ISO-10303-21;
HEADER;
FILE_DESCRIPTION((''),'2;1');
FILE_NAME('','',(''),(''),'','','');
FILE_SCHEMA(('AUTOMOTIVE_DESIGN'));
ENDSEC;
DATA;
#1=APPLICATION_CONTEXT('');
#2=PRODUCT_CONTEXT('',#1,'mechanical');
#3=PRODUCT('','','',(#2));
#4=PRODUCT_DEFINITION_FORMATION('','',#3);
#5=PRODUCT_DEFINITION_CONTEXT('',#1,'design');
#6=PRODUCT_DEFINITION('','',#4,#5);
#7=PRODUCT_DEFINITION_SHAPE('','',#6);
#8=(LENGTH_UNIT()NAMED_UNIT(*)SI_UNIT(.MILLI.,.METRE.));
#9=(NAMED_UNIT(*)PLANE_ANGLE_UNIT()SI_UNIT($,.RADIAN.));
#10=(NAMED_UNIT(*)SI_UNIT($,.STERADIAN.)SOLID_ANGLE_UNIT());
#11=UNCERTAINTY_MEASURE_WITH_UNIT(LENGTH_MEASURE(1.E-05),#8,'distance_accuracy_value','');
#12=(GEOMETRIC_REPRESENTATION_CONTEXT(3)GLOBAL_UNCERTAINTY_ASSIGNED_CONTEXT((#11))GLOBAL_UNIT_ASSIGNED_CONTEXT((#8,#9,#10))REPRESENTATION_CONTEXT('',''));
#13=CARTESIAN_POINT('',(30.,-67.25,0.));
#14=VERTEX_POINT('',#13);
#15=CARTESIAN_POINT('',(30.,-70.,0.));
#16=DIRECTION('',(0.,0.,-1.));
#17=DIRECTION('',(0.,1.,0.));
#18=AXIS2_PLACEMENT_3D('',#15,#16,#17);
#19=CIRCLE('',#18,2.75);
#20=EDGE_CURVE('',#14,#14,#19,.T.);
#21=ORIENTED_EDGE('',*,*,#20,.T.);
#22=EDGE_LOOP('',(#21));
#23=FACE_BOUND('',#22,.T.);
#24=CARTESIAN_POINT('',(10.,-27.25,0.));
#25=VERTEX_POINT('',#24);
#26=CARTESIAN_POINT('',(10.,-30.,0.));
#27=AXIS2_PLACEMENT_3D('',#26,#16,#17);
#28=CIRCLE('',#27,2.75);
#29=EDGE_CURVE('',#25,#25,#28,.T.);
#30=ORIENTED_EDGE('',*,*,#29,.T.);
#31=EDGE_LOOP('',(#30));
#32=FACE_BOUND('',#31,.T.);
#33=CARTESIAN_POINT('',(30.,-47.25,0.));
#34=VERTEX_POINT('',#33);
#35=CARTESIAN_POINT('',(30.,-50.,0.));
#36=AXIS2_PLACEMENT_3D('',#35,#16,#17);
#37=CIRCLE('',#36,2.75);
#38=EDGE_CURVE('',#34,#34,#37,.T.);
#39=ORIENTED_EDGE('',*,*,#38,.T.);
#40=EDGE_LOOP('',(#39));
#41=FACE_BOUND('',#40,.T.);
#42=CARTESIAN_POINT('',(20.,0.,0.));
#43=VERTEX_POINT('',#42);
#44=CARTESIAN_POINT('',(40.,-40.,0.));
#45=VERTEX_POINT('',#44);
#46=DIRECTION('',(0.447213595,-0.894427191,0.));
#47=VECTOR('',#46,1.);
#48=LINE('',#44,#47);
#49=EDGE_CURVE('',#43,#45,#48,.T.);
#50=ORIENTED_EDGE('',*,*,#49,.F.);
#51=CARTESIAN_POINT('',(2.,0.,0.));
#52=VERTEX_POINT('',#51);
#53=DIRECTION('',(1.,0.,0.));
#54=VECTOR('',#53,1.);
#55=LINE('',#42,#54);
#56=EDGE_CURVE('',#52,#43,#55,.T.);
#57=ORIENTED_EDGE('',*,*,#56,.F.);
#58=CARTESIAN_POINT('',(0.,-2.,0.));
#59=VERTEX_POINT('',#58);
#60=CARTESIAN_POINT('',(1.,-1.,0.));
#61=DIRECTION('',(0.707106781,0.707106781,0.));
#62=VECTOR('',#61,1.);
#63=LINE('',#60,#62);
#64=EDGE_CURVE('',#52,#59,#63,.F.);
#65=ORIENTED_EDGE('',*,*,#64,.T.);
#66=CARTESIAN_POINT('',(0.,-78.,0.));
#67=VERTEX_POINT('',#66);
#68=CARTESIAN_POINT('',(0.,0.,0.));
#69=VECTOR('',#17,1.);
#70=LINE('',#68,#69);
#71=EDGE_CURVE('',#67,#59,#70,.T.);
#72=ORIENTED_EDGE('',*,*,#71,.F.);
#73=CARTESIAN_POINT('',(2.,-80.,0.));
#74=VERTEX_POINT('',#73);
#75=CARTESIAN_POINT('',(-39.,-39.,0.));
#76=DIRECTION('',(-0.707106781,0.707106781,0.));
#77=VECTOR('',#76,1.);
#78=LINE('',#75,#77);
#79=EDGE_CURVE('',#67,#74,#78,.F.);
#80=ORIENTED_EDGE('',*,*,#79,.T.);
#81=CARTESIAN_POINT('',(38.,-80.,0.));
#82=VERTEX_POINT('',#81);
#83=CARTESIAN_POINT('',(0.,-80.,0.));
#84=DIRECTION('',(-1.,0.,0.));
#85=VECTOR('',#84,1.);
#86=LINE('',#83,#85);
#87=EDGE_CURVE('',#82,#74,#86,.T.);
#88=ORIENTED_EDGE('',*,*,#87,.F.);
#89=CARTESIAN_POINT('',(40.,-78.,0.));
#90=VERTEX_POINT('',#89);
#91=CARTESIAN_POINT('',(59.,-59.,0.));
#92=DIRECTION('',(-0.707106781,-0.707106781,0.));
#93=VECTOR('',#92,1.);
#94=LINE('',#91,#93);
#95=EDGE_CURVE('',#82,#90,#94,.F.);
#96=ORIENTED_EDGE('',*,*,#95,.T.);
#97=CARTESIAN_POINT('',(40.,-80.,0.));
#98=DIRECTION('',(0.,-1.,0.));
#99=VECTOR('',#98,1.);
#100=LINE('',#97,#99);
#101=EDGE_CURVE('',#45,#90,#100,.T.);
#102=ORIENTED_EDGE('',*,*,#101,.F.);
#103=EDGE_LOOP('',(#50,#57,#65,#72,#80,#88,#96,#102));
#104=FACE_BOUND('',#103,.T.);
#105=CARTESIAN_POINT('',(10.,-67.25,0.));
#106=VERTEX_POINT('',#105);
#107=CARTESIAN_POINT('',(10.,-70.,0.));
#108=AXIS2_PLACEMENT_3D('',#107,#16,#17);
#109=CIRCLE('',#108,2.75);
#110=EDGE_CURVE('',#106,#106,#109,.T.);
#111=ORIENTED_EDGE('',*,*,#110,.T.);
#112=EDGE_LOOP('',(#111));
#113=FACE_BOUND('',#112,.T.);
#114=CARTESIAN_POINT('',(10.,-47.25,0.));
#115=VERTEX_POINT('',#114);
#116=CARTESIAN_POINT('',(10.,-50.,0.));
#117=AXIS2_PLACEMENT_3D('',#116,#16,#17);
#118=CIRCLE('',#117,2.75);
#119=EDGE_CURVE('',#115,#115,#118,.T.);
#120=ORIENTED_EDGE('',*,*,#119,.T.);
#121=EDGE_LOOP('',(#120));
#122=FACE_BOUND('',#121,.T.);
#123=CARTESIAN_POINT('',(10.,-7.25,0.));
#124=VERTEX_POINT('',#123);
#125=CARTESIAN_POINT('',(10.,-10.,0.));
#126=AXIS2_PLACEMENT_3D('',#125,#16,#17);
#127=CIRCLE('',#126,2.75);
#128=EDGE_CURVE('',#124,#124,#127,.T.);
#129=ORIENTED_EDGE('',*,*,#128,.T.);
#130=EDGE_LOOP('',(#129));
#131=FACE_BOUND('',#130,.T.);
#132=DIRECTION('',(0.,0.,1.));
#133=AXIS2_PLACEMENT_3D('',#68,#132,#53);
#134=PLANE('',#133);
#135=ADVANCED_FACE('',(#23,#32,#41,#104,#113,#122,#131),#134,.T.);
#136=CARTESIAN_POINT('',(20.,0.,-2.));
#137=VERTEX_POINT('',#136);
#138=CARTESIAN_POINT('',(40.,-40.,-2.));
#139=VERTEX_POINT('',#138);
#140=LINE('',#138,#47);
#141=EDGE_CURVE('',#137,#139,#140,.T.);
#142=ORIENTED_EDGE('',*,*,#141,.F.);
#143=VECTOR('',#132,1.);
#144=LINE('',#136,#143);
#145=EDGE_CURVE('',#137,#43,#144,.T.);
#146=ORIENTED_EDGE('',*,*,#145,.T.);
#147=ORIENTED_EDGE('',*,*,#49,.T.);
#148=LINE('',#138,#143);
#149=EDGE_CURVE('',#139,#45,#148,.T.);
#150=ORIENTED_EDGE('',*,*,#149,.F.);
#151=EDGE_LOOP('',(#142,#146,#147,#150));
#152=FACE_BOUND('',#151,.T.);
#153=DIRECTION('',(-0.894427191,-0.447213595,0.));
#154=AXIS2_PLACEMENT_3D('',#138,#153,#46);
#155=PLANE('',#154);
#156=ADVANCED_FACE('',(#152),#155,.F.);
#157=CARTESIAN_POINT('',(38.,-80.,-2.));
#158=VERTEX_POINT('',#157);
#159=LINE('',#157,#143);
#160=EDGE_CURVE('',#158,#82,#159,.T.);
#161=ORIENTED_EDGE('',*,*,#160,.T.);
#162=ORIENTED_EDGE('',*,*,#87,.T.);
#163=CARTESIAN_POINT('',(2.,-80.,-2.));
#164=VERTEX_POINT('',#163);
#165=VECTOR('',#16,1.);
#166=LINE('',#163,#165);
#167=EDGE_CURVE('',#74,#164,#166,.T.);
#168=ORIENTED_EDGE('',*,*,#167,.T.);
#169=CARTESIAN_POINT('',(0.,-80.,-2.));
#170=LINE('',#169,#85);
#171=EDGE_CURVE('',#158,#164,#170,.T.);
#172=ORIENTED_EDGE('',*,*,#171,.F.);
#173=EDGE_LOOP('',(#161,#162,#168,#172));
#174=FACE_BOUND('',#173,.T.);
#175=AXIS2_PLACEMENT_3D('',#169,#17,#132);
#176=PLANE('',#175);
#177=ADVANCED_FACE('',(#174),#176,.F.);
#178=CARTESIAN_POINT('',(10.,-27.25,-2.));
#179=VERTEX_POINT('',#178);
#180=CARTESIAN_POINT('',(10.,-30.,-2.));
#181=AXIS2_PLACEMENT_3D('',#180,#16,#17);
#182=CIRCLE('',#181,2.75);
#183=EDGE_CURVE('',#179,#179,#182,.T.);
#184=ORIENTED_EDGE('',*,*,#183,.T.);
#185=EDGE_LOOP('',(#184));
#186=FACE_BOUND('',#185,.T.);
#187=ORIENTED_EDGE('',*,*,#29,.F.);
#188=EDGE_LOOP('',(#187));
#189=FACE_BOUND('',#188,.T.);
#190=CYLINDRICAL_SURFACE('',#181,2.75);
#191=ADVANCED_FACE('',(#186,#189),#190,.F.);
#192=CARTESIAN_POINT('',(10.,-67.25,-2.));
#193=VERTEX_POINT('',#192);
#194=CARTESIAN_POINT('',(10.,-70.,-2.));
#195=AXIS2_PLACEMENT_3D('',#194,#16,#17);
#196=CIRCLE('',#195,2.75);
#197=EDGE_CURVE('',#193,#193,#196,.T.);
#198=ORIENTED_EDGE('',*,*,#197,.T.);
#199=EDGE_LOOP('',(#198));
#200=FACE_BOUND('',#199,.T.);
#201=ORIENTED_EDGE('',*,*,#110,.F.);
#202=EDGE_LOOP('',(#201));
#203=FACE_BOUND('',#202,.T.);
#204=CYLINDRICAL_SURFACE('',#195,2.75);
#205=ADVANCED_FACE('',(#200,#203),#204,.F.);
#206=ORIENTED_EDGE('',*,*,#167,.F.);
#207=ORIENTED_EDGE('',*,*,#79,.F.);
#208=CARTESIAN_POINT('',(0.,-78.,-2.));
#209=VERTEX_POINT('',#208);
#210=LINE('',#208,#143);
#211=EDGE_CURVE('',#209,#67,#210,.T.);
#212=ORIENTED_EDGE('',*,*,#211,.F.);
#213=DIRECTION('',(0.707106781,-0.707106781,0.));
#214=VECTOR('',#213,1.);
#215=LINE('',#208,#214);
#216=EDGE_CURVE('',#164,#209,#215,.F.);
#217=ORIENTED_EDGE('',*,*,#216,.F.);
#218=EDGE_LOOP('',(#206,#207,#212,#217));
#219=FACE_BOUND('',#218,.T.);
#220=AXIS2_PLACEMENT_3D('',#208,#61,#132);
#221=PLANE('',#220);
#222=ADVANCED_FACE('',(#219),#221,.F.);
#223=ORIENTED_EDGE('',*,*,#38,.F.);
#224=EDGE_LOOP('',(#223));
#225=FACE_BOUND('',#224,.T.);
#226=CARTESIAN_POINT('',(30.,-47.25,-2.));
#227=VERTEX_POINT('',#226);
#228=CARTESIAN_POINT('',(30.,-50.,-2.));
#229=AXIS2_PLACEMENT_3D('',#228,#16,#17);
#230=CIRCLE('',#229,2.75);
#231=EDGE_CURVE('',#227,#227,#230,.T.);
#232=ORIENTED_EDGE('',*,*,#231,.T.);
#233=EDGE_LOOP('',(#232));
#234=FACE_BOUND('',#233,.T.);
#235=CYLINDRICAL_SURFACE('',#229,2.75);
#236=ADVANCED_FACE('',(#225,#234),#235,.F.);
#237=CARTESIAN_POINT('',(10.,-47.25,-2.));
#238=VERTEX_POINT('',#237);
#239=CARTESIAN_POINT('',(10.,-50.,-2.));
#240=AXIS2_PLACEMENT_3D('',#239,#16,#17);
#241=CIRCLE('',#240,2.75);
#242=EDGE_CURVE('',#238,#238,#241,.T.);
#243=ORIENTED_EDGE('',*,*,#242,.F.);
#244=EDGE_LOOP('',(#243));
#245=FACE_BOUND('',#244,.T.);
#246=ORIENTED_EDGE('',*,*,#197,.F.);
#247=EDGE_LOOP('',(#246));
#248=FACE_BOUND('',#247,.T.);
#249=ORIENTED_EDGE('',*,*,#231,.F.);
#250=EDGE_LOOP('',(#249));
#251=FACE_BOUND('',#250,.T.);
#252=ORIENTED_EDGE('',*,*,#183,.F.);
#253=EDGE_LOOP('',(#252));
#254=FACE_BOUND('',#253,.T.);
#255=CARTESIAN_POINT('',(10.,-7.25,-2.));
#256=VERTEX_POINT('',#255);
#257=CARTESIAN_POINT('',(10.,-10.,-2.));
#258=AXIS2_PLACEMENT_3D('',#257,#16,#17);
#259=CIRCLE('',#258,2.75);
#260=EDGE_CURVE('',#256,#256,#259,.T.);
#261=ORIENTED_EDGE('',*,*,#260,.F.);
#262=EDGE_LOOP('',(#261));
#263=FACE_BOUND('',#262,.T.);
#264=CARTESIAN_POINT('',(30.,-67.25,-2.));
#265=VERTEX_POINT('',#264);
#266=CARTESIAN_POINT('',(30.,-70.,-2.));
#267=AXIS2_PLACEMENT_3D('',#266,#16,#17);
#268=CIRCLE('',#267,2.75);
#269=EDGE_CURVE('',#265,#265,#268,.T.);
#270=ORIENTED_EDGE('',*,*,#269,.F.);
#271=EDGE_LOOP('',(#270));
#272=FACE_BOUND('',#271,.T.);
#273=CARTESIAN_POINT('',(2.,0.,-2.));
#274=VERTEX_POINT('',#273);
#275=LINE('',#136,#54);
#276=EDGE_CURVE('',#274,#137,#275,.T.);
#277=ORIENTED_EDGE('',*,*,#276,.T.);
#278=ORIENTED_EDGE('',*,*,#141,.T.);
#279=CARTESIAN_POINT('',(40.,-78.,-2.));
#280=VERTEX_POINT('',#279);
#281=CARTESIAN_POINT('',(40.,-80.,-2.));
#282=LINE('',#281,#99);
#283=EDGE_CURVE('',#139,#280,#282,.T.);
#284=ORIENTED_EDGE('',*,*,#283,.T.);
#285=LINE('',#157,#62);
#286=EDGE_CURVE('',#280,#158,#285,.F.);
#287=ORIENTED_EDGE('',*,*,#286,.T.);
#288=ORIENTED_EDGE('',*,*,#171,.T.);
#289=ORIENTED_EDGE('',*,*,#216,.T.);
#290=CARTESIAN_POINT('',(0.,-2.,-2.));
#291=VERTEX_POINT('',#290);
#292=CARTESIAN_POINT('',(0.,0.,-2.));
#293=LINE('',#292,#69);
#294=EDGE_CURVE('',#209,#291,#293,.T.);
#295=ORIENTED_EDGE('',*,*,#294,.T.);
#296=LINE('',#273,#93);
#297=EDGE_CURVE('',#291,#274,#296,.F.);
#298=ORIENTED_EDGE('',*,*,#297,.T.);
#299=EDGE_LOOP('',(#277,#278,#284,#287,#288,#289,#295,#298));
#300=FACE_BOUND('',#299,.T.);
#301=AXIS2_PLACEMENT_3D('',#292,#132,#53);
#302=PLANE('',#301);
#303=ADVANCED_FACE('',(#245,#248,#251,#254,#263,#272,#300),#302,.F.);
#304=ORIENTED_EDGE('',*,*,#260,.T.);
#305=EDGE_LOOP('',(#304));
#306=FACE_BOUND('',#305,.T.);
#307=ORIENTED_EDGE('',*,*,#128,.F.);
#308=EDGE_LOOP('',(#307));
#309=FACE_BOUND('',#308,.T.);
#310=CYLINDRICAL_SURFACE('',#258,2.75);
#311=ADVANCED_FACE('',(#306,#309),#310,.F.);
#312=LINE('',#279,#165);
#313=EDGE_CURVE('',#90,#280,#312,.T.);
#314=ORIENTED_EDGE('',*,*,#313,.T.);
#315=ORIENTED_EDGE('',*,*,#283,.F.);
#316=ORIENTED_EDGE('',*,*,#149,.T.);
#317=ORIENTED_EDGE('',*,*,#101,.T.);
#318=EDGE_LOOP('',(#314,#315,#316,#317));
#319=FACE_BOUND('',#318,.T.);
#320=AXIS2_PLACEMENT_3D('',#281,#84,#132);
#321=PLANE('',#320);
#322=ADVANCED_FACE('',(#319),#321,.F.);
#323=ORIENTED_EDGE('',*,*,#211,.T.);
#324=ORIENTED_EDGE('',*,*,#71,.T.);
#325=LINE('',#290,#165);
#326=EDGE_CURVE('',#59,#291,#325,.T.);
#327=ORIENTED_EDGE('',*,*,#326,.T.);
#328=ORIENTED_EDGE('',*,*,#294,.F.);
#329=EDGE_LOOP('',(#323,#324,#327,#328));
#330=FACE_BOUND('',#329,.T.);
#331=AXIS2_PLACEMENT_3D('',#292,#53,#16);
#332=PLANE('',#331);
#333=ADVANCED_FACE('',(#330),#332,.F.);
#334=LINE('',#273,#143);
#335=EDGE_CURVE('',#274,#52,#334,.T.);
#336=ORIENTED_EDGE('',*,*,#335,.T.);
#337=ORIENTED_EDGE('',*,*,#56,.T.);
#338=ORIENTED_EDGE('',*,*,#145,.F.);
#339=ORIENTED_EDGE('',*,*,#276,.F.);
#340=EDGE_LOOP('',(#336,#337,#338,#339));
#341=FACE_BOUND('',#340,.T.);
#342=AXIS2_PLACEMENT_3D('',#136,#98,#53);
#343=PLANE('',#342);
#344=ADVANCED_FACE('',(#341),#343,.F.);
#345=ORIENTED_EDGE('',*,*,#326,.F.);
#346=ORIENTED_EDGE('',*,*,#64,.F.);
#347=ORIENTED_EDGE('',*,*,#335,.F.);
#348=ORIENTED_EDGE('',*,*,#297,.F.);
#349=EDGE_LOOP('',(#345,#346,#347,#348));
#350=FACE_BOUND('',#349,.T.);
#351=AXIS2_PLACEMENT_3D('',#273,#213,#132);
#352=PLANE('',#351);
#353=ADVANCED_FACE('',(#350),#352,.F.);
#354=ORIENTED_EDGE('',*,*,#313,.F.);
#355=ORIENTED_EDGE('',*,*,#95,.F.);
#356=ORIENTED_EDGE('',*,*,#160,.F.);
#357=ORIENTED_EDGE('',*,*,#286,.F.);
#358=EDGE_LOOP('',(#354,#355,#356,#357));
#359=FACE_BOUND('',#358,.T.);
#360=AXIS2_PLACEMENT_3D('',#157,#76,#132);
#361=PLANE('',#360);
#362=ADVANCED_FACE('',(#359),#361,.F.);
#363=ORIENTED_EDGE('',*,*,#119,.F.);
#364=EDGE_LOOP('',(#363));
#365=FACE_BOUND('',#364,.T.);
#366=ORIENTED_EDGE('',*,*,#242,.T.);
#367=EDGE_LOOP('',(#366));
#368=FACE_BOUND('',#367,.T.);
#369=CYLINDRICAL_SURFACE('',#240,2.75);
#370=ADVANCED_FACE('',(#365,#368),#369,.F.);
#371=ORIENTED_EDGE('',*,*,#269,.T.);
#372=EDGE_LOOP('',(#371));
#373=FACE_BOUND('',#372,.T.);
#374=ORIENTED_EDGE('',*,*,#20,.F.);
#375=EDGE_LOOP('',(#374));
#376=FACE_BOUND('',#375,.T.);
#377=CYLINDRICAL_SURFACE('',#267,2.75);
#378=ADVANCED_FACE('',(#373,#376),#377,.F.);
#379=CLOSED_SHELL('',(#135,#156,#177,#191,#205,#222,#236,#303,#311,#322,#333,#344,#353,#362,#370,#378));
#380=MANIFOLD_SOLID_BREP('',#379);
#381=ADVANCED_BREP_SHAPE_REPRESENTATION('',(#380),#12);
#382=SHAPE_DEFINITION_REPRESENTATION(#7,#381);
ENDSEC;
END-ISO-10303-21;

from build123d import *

# Parameters (mm, degrees)
EXTRUDE_1_DEPTH   = 2
HOLE_WIZARD_M51_D = 5.5
CHAMFER_1_SIZE    = 2


with BuildPart() as part:
    # Эскиз1 → Бобышка-Вытянуть1 (new body)
    with BuildSketch(Plane(origin=(0, 0, 0), x_dir=(1, 0, 0), z_dir=(0, 0, -1))):
        Polygon((0, 0), (0, 80), (40, 80), (40, 40), (20, 0), align=None)
    extrude(amount=EXTRUDE_1_DEPTH)

    # Отверстие с зазором M51 (through all)
    with Locations(Plane(origin=(0, 0, -2), x_dir=(1, 0, 0), z_dir=(0, 0, -1))):
        with Locations((10, 70), (10, 50), (10, 30), (10, 10), (30, 70), (30, 50)):
            Hole(HOLE_WIZARD_M51_D / 2)

    # Фаска1
    chamfer_1_edges = [part.edges().sort_by_distance(p)[0] for p in [
        (0, 0, -1),
        (0, -80, -1),
        (40, -80, -1),
    ]]
    chamfer(chamfer_1_edges, length=CHAMFER_1_SIZE)


solid = part.part
